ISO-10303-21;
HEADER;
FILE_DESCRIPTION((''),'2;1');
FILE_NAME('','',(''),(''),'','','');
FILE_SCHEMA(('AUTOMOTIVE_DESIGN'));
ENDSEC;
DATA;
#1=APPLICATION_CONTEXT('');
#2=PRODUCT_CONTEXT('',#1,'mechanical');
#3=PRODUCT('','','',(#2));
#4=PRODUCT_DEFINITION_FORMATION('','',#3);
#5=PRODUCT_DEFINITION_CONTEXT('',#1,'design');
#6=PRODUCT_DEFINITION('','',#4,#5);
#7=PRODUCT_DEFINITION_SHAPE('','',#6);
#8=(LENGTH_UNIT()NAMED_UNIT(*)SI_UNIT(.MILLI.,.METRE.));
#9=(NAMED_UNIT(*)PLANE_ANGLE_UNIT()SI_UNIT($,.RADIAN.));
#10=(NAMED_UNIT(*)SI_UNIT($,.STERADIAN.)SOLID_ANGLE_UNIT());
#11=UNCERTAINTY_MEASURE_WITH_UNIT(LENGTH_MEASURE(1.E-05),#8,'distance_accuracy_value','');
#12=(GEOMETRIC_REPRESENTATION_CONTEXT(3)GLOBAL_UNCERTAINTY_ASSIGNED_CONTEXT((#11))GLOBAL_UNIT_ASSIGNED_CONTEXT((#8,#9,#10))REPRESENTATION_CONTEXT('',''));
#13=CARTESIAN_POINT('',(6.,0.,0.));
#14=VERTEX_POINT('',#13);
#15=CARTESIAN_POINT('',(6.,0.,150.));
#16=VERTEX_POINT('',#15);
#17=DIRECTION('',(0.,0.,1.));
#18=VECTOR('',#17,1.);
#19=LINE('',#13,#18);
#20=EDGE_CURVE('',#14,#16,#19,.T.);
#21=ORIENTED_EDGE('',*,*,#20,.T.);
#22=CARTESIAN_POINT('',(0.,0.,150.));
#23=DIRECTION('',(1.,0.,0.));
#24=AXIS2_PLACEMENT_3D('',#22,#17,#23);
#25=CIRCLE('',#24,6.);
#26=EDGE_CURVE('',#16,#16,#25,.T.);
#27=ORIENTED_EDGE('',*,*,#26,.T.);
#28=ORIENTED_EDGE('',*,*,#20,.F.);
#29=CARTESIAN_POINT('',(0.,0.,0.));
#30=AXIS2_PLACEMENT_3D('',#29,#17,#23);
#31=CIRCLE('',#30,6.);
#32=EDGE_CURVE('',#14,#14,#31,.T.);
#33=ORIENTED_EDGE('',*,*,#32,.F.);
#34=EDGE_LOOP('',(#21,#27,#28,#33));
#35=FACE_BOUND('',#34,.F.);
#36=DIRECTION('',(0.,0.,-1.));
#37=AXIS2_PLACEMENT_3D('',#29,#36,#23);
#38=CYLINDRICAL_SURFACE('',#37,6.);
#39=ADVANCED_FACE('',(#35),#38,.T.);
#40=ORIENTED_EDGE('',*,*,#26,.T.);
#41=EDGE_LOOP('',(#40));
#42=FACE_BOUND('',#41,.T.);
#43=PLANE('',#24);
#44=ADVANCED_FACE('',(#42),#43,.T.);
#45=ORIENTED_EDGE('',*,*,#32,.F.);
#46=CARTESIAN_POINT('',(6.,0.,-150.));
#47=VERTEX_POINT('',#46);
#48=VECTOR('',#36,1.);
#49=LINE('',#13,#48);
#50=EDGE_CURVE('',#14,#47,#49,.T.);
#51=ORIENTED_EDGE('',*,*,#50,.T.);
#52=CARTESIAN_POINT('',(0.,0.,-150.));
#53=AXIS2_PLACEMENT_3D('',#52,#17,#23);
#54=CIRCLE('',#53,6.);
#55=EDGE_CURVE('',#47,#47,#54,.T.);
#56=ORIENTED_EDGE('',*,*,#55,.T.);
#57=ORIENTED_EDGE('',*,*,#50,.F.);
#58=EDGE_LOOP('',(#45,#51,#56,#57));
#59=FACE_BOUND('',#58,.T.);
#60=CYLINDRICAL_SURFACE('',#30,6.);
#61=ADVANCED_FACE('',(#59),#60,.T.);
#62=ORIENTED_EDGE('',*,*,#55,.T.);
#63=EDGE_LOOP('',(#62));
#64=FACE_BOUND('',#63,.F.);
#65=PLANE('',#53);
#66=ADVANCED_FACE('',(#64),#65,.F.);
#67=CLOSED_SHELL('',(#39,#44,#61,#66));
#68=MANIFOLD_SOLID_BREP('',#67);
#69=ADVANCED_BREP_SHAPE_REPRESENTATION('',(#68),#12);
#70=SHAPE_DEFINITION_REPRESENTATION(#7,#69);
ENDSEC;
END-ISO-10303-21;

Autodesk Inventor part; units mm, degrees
ref_plane "YZ Plane" through (0, 0, 0) normal (1, 0, 0) x (0, 1, 0)
ref_plane "XZ Plane" through (0, 0, 0) normal (0, 1, 0) x (-1, 0, 0)
ref_plane "XY Plane" through (0, 0, 0) normal (0, 0, 1) x (1, 0, 0)
sketch "Sketch1" plane through (0, 0, 0) normal (0, 0, 1) x (1, 0, 0)
  circle A0 centre (0, 0) radius 6
  dimension "d0" = 12
extrude "Extrusion1" add sketch "Sketch1" along normal mid plane 300
properties part number "12 mm rod" material "Steel, Mild"
